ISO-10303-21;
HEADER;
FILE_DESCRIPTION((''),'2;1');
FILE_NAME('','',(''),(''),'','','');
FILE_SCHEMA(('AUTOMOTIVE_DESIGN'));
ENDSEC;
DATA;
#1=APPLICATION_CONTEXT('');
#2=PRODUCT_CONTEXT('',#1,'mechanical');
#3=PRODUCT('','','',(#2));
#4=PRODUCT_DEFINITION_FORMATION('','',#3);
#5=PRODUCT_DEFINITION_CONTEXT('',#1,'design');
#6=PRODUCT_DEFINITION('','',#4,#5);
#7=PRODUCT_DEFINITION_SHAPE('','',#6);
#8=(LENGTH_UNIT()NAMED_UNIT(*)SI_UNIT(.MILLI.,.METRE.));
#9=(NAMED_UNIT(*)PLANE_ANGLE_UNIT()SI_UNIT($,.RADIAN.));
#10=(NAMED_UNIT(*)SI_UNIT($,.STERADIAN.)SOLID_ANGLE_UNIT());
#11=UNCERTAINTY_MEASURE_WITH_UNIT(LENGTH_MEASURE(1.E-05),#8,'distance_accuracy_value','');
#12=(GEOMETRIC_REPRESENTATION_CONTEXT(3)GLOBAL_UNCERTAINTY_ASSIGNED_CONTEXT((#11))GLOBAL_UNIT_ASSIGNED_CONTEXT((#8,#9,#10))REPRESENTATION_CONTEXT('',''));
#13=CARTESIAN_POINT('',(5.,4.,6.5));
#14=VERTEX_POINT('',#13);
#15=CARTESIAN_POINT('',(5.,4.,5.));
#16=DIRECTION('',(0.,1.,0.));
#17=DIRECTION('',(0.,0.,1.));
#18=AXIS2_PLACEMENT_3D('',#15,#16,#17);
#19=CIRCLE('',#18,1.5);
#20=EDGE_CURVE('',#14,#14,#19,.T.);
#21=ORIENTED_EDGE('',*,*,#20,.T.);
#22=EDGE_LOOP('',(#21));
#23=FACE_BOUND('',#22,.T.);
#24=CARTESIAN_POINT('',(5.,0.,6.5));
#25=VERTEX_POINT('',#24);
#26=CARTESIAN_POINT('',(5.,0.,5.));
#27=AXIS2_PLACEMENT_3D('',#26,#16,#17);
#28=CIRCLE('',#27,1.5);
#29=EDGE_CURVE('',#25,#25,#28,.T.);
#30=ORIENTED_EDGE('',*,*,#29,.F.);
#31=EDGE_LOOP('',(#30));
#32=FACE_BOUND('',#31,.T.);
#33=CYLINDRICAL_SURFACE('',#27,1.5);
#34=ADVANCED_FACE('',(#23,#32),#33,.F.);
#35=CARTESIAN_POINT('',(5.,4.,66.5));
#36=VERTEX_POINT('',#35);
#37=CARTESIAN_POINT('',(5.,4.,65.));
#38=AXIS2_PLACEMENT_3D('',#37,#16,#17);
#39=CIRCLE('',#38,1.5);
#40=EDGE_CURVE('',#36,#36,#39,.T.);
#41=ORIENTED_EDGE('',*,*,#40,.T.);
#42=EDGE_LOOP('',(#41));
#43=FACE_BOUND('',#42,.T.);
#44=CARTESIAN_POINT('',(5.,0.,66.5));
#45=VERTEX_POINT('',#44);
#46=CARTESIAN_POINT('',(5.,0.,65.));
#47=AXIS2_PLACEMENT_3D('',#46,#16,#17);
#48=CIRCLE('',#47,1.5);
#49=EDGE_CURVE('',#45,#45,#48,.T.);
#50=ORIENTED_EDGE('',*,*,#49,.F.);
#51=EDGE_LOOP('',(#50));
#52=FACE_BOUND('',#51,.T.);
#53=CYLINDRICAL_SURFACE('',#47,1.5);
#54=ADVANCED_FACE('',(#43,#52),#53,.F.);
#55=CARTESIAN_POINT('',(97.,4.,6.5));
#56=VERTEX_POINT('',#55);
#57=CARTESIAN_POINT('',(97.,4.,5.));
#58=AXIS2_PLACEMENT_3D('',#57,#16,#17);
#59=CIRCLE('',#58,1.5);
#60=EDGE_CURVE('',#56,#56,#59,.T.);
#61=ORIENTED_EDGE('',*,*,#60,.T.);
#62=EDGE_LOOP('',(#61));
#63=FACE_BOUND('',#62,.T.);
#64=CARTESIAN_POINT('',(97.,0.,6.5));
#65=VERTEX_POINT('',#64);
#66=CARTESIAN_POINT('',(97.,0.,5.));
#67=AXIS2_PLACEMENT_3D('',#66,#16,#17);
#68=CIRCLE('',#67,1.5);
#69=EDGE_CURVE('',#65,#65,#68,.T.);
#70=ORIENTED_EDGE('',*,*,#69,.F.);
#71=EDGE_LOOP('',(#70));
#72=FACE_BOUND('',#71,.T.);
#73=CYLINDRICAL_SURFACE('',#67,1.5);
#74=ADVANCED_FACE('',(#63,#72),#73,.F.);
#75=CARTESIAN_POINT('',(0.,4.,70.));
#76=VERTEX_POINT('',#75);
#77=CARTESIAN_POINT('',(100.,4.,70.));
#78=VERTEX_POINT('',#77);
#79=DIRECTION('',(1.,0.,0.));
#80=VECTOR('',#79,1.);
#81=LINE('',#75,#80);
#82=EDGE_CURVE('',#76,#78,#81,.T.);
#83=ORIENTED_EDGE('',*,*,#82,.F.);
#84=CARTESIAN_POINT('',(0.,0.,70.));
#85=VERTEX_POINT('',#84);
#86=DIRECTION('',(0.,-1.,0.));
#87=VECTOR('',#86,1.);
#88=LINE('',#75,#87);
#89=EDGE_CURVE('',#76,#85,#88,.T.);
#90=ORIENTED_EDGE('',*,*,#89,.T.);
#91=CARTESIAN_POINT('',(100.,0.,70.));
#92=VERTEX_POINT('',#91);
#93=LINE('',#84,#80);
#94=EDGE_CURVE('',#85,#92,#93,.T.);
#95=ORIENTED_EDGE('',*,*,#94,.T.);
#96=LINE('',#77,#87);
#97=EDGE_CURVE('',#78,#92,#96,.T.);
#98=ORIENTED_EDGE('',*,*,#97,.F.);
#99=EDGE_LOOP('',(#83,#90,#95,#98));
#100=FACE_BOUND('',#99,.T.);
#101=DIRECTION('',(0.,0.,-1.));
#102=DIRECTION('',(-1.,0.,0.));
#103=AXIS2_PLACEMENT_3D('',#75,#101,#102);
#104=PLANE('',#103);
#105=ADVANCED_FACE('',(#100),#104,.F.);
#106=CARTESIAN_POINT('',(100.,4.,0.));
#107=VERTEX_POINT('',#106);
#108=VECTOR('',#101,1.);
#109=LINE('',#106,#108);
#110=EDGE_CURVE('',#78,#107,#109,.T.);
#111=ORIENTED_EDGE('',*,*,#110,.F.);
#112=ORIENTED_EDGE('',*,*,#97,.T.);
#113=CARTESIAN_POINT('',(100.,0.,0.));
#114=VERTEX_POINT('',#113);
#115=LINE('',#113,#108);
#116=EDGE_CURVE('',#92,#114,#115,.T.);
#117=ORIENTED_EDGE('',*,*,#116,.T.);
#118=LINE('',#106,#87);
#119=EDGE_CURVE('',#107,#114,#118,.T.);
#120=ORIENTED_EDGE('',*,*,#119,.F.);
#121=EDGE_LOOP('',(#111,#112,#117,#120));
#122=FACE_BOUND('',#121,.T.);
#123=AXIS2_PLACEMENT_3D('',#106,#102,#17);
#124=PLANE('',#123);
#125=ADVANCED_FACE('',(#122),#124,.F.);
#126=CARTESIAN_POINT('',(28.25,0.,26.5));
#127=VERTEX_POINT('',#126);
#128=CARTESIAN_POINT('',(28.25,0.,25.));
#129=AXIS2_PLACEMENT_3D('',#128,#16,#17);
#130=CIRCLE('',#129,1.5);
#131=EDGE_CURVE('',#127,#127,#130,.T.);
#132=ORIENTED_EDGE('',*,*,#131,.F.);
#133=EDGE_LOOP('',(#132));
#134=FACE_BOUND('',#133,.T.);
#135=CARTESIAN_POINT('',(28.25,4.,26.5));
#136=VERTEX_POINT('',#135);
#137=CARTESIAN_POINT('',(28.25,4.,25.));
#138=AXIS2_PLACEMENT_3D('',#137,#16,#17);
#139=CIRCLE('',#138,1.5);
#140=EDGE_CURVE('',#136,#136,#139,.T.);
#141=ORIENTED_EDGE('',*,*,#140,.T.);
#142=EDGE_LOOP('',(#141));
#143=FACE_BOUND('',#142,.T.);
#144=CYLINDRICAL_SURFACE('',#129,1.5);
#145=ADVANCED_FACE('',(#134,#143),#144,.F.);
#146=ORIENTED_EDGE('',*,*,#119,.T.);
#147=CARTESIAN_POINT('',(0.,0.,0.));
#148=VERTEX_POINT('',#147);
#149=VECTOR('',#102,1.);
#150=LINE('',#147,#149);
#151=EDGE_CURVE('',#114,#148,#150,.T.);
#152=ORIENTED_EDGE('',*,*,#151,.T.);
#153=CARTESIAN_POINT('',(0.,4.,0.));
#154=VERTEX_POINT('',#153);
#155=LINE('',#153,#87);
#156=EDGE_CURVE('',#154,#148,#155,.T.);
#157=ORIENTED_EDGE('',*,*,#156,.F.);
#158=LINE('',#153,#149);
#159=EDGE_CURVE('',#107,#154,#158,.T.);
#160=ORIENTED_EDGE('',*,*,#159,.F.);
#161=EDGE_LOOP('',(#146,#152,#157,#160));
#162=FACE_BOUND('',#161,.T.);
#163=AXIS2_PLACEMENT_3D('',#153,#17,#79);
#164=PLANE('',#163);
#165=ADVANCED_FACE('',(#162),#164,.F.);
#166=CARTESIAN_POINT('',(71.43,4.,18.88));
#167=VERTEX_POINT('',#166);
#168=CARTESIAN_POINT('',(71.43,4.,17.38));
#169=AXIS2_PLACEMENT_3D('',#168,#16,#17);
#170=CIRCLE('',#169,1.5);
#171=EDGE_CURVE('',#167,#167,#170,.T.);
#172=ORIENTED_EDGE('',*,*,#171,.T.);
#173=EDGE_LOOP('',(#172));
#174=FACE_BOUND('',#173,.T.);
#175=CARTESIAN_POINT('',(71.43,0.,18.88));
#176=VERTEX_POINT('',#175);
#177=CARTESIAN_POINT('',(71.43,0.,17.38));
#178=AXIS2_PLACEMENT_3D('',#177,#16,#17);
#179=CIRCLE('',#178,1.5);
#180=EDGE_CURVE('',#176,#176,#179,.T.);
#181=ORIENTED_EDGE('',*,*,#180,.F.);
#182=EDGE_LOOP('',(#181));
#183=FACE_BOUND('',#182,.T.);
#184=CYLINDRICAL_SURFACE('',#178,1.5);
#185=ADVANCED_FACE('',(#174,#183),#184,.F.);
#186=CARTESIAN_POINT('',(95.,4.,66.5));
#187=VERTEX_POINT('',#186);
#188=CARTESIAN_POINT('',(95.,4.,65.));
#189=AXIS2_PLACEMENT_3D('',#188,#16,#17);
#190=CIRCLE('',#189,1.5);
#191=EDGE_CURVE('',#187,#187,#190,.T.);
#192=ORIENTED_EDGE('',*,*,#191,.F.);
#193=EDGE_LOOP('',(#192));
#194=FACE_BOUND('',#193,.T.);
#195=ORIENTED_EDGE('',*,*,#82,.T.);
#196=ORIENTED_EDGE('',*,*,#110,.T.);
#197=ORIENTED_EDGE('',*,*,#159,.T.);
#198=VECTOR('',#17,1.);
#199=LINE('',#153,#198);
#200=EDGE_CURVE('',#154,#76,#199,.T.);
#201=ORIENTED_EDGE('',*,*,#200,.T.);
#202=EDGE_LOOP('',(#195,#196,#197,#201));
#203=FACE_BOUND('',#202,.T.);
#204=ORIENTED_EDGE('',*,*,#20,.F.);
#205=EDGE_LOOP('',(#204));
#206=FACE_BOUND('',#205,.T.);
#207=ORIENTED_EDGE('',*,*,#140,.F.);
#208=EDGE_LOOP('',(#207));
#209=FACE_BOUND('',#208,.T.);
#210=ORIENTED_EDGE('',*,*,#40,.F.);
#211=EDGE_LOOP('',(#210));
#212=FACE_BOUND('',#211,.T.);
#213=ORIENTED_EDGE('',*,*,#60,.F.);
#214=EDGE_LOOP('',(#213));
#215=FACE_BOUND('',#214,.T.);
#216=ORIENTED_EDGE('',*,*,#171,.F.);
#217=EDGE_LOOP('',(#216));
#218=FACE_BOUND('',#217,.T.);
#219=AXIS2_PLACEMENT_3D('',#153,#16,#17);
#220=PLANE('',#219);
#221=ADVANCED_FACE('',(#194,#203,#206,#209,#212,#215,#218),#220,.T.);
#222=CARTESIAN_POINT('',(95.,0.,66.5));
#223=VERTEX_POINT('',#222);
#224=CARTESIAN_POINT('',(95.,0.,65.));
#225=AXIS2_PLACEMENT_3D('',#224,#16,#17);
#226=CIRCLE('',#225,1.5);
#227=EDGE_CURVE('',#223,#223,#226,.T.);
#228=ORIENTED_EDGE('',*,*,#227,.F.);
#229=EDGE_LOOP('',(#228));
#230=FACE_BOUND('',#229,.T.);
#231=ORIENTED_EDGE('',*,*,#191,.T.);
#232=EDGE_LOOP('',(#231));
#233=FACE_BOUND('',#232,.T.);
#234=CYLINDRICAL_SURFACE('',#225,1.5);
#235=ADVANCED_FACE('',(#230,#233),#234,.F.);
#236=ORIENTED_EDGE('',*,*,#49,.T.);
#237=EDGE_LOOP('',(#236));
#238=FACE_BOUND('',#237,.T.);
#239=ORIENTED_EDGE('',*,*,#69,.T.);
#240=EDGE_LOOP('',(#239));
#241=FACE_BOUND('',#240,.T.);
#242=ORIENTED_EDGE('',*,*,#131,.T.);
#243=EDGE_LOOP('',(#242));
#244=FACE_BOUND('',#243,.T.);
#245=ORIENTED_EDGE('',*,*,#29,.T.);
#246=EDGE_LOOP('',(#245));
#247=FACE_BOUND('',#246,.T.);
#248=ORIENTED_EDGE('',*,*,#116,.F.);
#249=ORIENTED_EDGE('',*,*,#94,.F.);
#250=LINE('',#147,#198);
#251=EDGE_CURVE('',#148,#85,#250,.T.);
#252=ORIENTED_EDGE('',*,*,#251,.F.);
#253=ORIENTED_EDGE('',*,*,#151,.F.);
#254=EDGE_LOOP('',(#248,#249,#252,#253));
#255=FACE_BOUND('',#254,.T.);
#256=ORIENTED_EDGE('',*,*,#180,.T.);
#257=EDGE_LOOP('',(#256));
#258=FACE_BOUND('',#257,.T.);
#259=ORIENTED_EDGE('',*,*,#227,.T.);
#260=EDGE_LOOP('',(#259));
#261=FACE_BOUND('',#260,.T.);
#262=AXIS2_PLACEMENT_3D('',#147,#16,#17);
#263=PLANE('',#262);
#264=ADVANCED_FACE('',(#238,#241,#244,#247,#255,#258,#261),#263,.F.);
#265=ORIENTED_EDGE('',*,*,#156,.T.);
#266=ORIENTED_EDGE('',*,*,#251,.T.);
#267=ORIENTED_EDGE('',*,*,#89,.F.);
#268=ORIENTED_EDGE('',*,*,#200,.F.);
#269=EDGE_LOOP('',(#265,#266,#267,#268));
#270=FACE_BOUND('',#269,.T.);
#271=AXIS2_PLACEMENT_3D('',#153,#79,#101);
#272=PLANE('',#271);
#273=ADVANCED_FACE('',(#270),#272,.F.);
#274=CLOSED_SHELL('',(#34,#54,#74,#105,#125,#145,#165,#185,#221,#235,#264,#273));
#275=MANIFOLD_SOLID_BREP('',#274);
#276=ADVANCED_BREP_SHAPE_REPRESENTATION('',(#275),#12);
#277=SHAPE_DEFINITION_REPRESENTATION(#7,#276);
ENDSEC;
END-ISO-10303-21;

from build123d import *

# Parameters (mm, degrees)
CROQUIS1_W              = 100
CROQUIS1_H              = 70
SALIENTE_EXTRUIR1_DEPTH = 4
CROQUIS2_R              = 1.5
CORTAR_EXTRUIR1_DEPTH   = 123.131077126


with BuildPart() as part:
    # Croquis1 → Saliente-Extruir1 (new body)
    with BuildSketch(Plane(origin=(0, 0, 0), x_dir=(1, 0, 0), z_dir=(0, 1, 0))):
        with Locations((50, -35)):
            Rectangle(CROQUIS1_W, CROQUIS1_H)
    extrude(amount=SALIENTE_EXTRUIR1_DEPTH)

    # Croquis2 → Cortar-Extruir1 (cut, through all)
    with BuildSketch(Plane(origin=(0, 4, 0), x_dir=(1, 0, 0), z_dir=(0, 1, 0))):
        with Locations(Location((28.25, -25, 0), (0, 0, 270))):
            Circle(CROQUIS2_R)
        with Locations(Location((71.43, -17.38, 0), (0, 0, 270))):
            Circle(CROQUIS2_R)
        with Locations(Location((5, -65, 0), (0, 0, 270))):
            Circle(CROQUIS2_R)
        with Locations(Location((95, -65, 0), (0, 0, 270))):
            Circle(CROQUIS2_R)
        with Locations(Location((97, -5, 0), (0, 0, 270))):
            Circle(CROQUIS2_R)
        with Locations(Location((5, -5, 0), (0, 0, 270))):
            Circle(CROQUIS2_R)
    extrude(amount=-CORTAR_EXTRUIR1_DEPTH, mode=Mode.SUBTRACT)


solid = part.part
